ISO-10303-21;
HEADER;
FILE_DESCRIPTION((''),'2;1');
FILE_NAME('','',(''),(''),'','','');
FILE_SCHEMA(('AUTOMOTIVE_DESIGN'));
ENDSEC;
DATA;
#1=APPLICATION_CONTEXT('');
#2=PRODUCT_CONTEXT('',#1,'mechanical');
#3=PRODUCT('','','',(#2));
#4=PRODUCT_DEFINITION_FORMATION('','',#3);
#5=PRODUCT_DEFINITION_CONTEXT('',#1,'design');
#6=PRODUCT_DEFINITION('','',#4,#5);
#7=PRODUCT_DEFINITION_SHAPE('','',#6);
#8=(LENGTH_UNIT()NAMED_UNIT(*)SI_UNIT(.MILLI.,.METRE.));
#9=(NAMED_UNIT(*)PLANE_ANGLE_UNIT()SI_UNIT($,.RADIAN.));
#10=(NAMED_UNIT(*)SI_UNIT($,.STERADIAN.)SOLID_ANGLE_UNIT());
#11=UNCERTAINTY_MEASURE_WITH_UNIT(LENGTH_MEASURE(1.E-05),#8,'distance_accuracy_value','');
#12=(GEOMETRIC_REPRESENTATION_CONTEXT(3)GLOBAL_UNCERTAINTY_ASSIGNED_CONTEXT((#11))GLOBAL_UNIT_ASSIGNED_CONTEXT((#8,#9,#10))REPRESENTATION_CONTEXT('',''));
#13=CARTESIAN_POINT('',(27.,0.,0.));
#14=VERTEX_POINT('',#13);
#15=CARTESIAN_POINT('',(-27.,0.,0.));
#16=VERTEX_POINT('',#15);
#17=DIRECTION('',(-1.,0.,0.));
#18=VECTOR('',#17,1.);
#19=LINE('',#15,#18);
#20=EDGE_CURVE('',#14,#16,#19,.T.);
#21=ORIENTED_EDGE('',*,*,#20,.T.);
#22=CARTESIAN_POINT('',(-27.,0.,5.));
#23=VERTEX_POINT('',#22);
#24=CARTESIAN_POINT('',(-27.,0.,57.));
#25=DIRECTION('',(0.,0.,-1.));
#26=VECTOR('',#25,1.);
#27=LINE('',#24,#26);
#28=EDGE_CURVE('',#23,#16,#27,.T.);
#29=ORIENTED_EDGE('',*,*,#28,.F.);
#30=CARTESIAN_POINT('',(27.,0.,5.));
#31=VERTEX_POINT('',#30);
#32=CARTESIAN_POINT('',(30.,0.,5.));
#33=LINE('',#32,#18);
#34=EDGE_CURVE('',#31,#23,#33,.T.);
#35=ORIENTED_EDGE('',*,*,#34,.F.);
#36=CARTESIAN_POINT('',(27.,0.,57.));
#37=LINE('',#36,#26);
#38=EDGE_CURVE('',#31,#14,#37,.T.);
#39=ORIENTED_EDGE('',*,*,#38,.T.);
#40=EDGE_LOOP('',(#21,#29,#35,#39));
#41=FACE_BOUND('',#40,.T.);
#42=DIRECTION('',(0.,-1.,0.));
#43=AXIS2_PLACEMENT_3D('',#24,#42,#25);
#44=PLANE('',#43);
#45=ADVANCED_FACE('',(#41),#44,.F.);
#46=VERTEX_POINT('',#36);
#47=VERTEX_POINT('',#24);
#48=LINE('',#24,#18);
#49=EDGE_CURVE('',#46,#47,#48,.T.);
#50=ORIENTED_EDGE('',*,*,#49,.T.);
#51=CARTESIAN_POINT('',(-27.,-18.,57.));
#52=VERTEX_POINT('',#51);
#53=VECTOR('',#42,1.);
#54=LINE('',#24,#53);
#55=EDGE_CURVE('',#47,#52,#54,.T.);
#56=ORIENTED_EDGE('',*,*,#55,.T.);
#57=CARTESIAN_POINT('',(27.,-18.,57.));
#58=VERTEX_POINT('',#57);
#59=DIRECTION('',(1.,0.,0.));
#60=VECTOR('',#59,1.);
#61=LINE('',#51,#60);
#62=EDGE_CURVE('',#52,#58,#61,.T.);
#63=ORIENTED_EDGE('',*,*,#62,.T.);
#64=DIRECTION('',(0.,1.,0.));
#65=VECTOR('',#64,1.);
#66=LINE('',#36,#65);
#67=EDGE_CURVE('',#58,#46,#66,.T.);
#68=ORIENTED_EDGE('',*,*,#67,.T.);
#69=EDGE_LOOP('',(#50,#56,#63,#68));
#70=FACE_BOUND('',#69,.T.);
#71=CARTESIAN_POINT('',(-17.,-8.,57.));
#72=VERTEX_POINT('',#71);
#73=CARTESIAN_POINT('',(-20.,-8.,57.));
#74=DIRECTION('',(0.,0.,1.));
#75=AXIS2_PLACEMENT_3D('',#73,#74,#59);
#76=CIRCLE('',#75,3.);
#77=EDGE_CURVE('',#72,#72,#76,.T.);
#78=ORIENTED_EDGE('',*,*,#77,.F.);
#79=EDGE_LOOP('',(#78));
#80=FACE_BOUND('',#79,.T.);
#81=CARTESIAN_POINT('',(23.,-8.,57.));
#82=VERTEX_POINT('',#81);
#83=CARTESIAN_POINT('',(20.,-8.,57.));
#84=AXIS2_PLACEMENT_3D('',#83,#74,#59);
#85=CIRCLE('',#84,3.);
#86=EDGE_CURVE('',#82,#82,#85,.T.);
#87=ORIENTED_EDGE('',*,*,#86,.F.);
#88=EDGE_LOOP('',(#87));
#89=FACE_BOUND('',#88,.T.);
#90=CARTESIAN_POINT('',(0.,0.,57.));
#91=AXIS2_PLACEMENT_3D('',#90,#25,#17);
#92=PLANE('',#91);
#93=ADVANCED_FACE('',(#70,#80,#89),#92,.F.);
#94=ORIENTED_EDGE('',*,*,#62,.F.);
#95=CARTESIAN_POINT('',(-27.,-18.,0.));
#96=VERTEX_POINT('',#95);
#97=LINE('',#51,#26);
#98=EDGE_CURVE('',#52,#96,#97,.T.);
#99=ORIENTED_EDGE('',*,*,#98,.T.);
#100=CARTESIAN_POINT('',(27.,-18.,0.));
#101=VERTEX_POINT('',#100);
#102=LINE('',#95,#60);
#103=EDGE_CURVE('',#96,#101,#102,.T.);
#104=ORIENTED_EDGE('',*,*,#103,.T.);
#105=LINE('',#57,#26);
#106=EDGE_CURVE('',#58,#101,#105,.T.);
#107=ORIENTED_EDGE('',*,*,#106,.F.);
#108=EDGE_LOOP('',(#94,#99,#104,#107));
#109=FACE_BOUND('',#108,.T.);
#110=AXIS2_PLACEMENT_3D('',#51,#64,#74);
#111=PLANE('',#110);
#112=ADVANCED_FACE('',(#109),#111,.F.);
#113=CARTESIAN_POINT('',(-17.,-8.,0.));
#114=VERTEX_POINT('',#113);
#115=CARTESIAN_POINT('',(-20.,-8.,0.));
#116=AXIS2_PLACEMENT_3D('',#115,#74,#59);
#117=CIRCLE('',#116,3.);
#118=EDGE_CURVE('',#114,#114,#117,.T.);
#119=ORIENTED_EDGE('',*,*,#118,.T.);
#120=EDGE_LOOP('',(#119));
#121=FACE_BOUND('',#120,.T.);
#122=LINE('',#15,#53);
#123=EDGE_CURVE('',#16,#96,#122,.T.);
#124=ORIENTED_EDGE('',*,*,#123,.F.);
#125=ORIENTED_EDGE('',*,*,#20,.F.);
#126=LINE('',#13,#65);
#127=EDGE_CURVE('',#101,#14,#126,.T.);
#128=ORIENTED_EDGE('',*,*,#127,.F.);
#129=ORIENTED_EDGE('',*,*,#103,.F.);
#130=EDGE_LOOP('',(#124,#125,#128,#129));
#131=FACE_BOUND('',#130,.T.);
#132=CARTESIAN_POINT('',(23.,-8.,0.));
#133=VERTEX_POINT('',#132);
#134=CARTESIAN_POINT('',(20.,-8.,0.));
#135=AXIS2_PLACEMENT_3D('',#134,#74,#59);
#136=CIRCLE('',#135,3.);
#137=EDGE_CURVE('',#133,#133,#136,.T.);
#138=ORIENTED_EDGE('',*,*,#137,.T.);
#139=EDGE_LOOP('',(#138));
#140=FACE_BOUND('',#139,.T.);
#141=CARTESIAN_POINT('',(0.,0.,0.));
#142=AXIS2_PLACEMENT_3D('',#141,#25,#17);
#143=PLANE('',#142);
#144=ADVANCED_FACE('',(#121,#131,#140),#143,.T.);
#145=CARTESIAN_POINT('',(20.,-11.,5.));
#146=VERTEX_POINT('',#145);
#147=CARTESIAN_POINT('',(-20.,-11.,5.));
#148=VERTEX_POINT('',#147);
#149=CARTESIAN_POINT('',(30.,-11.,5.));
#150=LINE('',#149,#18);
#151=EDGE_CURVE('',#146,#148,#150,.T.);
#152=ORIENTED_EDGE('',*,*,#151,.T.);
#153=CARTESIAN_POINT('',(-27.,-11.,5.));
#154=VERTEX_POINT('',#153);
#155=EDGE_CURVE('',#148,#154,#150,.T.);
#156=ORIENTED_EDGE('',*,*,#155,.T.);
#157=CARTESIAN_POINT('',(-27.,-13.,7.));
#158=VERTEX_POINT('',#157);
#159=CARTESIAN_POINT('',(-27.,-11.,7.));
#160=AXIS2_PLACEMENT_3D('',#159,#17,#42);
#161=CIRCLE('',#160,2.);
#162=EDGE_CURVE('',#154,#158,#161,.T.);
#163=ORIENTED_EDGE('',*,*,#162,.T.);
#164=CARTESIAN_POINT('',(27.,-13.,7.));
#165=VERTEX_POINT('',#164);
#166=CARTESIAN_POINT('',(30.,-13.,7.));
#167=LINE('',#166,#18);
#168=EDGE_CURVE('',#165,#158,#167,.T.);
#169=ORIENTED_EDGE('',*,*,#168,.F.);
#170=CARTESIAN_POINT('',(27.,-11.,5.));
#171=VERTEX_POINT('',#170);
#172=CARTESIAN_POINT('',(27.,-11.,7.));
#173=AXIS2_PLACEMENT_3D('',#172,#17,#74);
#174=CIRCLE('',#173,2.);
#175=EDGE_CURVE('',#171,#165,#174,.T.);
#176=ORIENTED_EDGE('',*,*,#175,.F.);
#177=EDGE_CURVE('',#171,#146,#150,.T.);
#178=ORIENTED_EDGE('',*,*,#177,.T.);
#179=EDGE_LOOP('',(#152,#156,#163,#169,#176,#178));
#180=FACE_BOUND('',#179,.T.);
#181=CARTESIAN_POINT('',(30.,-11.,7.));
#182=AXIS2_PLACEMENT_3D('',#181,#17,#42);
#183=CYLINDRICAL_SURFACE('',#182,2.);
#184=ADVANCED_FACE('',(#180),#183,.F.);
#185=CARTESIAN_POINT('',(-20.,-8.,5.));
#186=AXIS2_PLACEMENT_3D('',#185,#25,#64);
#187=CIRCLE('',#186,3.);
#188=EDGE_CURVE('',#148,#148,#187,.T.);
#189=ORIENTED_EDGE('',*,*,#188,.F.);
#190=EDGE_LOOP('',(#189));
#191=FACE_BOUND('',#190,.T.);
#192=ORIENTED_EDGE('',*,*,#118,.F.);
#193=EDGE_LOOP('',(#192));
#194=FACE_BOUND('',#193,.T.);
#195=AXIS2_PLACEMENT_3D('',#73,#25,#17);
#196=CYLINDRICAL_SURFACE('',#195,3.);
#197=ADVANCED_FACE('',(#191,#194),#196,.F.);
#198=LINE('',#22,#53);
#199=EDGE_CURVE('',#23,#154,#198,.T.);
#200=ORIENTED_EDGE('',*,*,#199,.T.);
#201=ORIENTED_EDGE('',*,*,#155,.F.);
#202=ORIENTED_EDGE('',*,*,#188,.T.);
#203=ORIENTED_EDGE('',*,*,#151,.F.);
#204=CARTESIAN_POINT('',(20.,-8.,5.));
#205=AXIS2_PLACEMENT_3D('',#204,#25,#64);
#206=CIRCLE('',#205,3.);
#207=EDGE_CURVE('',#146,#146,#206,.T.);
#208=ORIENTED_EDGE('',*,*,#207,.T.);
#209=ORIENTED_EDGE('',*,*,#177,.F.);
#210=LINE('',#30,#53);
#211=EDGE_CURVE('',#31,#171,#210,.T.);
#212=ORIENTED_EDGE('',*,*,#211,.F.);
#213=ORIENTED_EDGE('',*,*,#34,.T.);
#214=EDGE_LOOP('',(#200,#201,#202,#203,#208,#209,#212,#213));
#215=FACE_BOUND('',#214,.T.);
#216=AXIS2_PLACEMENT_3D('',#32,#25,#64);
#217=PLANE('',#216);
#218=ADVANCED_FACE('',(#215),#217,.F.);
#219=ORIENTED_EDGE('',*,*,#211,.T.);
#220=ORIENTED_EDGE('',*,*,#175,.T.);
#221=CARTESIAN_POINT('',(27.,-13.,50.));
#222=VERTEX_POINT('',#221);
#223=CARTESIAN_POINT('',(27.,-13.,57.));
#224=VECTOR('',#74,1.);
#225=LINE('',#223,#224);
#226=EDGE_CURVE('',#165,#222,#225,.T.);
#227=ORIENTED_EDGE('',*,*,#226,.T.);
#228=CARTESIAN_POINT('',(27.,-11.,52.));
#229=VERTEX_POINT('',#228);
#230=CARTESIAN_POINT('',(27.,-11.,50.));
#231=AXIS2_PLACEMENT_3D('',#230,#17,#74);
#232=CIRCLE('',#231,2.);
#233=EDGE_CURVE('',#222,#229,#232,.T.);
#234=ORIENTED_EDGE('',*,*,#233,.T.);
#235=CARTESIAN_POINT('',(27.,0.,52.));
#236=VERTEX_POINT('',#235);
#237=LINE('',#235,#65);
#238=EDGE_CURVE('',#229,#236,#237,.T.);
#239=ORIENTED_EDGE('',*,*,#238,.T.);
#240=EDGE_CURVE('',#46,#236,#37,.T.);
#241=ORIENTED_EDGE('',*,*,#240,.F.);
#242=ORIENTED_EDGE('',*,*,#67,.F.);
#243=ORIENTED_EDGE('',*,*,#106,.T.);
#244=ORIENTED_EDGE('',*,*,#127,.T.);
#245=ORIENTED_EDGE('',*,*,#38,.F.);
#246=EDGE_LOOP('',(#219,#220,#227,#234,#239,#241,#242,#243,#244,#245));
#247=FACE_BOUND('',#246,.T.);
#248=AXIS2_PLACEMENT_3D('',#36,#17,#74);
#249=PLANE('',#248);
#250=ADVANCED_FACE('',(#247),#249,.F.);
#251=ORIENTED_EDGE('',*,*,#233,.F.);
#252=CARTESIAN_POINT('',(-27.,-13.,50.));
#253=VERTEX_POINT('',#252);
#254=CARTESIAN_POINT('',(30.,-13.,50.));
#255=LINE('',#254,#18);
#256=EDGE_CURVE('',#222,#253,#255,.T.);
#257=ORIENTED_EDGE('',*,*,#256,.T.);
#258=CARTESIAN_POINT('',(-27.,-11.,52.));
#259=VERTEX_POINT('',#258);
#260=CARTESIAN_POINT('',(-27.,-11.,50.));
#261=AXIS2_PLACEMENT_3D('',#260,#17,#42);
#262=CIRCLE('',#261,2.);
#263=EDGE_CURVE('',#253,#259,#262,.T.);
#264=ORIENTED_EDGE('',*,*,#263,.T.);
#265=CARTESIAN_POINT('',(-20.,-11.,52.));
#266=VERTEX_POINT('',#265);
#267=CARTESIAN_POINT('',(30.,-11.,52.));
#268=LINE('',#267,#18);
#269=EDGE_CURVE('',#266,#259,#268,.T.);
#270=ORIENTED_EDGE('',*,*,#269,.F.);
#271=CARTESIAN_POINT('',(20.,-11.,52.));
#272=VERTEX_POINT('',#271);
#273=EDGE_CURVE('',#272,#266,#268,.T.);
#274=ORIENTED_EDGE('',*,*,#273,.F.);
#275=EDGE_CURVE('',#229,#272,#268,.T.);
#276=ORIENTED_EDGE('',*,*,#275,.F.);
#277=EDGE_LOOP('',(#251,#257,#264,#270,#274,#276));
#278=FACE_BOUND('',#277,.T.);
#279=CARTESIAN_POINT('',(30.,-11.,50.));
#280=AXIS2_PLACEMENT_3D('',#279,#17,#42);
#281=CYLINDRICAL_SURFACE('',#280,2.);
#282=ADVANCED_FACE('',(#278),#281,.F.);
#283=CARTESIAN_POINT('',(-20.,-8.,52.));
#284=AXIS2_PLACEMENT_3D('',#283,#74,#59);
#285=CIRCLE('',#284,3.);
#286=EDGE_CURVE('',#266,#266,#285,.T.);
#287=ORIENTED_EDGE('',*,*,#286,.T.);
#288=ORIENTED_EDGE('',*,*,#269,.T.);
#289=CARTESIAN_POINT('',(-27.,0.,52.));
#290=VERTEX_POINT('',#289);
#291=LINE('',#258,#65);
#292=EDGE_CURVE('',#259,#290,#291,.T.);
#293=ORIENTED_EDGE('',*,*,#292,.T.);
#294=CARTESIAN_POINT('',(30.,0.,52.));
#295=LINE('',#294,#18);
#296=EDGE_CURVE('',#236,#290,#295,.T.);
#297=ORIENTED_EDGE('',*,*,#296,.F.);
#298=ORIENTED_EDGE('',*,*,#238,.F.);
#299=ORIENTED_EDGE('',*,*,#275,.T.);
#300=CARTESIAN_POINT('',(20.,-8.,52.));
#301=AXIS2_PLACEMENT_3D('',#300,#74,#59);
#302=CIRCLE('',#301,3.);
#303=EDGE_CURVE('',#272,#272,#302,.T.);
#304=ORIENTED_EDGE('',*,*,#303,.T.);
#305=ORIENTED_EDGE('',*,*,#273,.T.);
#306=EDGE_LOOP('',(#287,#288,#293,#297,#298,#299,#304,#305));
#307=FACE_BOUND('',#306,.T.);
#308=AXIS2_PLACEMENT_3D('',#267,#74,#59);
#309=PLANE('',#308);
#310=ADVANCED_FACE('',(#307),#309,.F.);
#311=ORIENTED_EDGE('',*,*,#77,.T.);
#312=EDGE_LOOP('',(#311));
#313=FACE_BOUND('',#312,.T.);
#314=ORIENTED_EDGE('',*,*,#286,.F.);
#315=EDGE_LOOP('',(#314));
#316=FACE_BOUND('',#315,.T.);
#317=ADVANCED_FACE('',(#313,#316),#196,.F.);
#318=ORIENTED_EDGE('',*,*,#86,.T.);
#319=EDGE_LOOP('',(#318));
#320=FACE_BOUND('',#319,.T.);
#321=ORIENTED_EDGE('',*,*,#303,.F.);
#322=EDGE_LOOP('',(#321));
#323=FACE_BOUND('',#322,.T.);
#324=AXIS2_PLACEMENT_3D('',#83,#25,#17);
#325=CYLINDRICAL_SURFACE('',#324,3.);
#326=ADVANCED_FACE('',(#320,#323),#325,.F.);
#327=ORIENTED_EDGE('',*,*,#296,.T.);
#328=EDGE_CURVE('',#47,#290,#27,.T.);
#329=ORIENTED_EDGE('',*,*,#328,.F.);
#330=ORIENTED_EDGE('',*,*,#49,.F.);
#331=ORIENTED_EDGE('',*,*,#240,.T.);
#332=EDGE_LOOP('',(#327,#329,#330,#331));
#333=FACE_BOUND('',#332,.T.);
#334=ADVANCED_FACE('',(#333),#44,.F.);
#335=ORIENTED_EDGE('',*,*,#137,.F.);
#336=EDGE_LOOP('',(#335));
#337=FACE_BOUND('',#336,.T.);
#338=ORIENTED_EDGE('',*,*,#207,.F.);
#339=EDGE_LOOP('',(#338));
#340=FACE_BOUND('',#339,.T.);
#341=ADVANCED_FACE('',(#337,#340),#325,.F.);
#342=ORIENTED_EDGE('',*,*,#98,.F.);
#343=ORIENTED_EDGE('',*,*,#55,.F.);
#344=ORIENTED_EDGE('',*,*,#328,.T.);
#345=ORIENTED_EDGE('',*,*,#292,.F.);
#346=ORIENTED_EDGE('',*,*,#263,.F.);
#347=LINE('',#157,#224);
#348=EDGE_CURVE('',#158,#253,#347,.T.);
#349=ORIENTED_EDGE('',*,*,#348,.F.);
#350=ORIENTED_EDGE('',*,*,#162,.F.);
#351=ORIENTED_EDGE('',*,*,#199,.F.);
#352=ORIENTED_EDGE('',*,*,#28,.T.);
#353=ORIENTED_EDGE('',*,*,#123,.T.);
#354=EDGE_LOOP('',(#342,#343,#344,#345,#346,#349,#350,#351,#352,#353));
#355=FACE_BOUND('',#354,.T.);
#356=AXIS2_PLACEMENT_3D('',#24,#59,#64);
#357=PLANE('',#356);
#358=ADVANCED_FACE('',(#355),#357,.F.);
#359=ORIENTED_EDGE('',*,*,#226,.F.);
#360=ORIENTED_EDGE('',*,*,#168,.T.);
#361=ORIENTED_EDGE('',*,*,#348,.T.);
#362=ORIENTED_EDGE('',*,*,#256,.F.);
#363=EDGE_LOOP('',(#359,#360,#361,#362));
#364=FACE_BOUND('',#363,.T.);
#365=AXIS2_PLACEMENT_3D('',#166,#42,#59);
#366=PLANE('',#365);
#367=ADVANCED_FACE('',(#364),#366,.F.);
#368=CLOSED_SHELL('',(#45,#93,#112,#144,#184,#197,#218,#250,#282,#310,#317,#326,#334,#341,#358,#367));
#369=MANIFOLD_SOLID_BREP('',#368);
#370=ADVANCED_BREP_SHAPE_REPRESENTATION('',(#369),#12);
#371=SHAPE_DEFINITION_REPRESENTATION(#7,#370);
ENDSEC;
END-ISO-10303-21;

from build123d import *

# Parameters (mm, degrees)
ESQUISSE1_W             = 54
ESQUISSE1_H             = 18
ESQUISSE1_R             = 3
BOSS_EXTRU_1_DEPTH      = 57
ENL_V_MAT_EXTRU_1_DEPTH = 57


with BuildPart() as part:
    # Esquisse1 → Boss.-Extru.1 (new body)
    with BuildSketch(Plane.XY):
        with Locations((0, -9)):
            Rectangle(ESQUISSE1_W, ESQUISSE1_H)
        with Locations(Location((-20, -8, 0), (0, 0, 180))):
            Circle(ESQUISSE1_R, mode=Mode.SUBTRACT)
        with Locations(Location((20, -8, 0), (0, 0, 180))):
            Circle(ESQUISSE1_R, mode=Mode.SUBTRACT)
    extrude(amount=BOSS_EXTRU_1_DEPTH)

    # Esquisse3 → Enlèv. mat.-Extru.1 (cut)
    with BuildSketch(Plane.ZY.offset(27)):
        with BuildLine():
            Line((52, 0), (5, 0))
            Line((5, 0), (5, -11))
            ThreePointArc((5, -11), (5.585786438, -12.414213562), (7, -13))
            Line((7, -13), (50, -13))
            ThreePointArc((50, -13), (51.414213562, -12.414213562), (52, -11))
            Line((52, -11), (52, 0))
        make_face()
    extrude(amount=-ENL_V_MAT_EXTRU_1_DEPTH, mode=Mode.SUBTRACT)


solid = part.part
